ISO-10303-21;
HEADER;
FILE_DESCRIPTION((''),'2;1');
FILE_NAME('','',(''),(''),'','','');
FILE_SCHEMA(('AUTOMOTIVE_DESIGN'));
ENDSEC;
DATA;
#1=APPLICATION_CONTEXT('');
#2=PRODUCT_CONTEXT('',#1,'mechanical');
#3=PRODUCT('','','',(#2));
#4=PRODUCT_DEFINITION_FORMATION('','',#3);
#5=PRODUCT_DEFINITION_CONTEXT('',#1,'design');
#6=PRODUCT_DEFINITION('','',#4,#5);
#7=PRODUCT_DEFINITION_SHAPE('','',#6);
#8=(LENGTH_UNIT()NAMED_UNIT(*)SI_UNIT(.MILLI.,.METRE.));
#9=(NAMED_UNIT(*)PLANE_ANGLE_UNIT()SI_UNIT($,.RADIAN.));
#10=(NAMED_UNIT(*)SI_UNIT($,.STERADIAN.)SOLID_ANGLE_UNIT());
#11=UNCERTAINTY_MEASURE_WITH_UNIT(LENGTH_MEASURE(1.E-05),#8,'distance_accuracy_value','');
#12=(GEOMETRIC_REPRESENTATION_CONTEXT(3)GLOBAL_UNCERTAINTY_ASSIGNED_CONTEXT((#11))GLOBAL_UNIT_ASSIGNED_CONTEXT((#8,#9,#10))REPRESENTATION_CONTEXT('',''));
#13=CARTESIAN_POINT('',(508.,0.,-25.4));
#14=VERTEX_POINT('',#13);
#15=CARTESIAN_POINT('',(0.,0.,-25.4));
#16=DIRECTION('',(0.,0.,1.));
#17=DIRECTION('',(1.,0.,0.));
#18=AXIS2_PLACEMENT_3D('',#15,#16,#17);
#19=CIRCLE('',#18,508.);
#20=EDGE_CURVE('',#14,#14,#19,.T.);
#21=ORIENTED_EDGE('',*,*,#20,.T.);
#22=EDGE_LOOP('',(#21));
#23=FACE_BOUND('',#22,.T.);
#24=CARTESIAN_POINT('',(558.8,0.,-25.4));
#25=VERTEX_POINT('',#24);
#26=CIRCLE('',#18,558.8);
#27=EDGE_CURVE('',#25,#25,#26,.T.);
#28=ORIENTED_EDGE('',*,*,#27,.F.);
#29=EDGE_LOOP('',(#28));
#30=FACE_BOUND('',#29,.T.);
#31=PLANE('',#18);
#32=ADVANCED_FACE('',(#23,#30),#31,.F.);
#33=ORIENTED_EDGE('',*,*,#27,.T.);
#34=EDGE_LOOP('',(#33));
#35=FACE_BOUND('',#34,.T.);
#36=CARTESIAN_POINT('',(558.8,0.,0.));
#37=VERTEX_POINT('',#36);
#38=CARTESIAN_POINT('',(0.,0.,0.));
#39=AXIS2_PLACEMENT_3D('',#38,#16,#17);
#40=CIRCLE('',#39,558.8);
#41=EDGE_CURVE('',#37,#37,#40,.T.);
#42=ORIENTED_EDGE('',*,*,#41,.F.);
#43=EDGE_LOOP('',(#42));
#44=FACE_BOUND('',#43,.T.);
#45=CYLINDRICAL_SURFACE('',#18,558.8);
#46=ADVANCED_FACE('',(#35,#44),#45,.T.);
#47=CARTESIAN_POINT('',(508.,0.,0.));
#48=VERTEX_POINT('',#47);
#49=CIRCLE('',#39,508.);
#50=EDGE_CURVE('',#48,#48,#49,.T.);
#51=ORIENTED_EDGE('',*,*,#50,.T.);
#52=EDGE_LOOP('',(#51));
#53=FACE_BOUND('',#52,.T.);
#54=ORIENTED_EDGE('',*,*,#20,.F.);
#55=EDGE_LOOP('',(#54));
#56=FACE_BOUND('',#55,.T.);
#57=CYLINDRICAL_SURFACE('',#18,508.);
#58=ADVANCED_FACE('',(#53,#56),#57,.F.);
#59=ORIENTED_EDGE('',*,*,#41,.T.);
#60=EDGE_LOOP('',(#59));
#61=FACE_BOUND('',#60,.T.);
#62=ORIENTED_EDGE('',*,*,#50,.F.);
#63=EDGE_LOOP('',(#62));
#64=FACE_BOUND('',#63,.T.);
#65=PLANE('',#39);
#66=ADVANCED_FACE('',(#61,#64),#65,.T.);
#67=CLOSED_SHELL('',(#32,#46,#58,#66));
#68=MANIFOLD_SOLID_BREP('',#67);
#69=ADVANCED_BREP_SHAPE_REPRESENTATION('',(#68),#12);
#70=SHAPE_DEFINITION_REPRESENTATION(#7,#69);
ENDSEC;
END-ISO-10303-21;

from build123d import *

# Parameters (mm, degrees)
SKETCH1_R          = 558.8
SKETCH1_R_2        = 508
BASE_EXTRUDE_DEPTH = 25.4


with BuildPart() as part:
    # Sketch1 → Base-Extrude (new body)
    with BuildSketch(Plane.XY):
        Circle(SKETCH1_R)
        Circle(SKETCH1_R_2, mode=Mode.SUBTRACT)
    extrude(amount=-BASE_EXTRUDE_DEPTH)


solid = part.part
